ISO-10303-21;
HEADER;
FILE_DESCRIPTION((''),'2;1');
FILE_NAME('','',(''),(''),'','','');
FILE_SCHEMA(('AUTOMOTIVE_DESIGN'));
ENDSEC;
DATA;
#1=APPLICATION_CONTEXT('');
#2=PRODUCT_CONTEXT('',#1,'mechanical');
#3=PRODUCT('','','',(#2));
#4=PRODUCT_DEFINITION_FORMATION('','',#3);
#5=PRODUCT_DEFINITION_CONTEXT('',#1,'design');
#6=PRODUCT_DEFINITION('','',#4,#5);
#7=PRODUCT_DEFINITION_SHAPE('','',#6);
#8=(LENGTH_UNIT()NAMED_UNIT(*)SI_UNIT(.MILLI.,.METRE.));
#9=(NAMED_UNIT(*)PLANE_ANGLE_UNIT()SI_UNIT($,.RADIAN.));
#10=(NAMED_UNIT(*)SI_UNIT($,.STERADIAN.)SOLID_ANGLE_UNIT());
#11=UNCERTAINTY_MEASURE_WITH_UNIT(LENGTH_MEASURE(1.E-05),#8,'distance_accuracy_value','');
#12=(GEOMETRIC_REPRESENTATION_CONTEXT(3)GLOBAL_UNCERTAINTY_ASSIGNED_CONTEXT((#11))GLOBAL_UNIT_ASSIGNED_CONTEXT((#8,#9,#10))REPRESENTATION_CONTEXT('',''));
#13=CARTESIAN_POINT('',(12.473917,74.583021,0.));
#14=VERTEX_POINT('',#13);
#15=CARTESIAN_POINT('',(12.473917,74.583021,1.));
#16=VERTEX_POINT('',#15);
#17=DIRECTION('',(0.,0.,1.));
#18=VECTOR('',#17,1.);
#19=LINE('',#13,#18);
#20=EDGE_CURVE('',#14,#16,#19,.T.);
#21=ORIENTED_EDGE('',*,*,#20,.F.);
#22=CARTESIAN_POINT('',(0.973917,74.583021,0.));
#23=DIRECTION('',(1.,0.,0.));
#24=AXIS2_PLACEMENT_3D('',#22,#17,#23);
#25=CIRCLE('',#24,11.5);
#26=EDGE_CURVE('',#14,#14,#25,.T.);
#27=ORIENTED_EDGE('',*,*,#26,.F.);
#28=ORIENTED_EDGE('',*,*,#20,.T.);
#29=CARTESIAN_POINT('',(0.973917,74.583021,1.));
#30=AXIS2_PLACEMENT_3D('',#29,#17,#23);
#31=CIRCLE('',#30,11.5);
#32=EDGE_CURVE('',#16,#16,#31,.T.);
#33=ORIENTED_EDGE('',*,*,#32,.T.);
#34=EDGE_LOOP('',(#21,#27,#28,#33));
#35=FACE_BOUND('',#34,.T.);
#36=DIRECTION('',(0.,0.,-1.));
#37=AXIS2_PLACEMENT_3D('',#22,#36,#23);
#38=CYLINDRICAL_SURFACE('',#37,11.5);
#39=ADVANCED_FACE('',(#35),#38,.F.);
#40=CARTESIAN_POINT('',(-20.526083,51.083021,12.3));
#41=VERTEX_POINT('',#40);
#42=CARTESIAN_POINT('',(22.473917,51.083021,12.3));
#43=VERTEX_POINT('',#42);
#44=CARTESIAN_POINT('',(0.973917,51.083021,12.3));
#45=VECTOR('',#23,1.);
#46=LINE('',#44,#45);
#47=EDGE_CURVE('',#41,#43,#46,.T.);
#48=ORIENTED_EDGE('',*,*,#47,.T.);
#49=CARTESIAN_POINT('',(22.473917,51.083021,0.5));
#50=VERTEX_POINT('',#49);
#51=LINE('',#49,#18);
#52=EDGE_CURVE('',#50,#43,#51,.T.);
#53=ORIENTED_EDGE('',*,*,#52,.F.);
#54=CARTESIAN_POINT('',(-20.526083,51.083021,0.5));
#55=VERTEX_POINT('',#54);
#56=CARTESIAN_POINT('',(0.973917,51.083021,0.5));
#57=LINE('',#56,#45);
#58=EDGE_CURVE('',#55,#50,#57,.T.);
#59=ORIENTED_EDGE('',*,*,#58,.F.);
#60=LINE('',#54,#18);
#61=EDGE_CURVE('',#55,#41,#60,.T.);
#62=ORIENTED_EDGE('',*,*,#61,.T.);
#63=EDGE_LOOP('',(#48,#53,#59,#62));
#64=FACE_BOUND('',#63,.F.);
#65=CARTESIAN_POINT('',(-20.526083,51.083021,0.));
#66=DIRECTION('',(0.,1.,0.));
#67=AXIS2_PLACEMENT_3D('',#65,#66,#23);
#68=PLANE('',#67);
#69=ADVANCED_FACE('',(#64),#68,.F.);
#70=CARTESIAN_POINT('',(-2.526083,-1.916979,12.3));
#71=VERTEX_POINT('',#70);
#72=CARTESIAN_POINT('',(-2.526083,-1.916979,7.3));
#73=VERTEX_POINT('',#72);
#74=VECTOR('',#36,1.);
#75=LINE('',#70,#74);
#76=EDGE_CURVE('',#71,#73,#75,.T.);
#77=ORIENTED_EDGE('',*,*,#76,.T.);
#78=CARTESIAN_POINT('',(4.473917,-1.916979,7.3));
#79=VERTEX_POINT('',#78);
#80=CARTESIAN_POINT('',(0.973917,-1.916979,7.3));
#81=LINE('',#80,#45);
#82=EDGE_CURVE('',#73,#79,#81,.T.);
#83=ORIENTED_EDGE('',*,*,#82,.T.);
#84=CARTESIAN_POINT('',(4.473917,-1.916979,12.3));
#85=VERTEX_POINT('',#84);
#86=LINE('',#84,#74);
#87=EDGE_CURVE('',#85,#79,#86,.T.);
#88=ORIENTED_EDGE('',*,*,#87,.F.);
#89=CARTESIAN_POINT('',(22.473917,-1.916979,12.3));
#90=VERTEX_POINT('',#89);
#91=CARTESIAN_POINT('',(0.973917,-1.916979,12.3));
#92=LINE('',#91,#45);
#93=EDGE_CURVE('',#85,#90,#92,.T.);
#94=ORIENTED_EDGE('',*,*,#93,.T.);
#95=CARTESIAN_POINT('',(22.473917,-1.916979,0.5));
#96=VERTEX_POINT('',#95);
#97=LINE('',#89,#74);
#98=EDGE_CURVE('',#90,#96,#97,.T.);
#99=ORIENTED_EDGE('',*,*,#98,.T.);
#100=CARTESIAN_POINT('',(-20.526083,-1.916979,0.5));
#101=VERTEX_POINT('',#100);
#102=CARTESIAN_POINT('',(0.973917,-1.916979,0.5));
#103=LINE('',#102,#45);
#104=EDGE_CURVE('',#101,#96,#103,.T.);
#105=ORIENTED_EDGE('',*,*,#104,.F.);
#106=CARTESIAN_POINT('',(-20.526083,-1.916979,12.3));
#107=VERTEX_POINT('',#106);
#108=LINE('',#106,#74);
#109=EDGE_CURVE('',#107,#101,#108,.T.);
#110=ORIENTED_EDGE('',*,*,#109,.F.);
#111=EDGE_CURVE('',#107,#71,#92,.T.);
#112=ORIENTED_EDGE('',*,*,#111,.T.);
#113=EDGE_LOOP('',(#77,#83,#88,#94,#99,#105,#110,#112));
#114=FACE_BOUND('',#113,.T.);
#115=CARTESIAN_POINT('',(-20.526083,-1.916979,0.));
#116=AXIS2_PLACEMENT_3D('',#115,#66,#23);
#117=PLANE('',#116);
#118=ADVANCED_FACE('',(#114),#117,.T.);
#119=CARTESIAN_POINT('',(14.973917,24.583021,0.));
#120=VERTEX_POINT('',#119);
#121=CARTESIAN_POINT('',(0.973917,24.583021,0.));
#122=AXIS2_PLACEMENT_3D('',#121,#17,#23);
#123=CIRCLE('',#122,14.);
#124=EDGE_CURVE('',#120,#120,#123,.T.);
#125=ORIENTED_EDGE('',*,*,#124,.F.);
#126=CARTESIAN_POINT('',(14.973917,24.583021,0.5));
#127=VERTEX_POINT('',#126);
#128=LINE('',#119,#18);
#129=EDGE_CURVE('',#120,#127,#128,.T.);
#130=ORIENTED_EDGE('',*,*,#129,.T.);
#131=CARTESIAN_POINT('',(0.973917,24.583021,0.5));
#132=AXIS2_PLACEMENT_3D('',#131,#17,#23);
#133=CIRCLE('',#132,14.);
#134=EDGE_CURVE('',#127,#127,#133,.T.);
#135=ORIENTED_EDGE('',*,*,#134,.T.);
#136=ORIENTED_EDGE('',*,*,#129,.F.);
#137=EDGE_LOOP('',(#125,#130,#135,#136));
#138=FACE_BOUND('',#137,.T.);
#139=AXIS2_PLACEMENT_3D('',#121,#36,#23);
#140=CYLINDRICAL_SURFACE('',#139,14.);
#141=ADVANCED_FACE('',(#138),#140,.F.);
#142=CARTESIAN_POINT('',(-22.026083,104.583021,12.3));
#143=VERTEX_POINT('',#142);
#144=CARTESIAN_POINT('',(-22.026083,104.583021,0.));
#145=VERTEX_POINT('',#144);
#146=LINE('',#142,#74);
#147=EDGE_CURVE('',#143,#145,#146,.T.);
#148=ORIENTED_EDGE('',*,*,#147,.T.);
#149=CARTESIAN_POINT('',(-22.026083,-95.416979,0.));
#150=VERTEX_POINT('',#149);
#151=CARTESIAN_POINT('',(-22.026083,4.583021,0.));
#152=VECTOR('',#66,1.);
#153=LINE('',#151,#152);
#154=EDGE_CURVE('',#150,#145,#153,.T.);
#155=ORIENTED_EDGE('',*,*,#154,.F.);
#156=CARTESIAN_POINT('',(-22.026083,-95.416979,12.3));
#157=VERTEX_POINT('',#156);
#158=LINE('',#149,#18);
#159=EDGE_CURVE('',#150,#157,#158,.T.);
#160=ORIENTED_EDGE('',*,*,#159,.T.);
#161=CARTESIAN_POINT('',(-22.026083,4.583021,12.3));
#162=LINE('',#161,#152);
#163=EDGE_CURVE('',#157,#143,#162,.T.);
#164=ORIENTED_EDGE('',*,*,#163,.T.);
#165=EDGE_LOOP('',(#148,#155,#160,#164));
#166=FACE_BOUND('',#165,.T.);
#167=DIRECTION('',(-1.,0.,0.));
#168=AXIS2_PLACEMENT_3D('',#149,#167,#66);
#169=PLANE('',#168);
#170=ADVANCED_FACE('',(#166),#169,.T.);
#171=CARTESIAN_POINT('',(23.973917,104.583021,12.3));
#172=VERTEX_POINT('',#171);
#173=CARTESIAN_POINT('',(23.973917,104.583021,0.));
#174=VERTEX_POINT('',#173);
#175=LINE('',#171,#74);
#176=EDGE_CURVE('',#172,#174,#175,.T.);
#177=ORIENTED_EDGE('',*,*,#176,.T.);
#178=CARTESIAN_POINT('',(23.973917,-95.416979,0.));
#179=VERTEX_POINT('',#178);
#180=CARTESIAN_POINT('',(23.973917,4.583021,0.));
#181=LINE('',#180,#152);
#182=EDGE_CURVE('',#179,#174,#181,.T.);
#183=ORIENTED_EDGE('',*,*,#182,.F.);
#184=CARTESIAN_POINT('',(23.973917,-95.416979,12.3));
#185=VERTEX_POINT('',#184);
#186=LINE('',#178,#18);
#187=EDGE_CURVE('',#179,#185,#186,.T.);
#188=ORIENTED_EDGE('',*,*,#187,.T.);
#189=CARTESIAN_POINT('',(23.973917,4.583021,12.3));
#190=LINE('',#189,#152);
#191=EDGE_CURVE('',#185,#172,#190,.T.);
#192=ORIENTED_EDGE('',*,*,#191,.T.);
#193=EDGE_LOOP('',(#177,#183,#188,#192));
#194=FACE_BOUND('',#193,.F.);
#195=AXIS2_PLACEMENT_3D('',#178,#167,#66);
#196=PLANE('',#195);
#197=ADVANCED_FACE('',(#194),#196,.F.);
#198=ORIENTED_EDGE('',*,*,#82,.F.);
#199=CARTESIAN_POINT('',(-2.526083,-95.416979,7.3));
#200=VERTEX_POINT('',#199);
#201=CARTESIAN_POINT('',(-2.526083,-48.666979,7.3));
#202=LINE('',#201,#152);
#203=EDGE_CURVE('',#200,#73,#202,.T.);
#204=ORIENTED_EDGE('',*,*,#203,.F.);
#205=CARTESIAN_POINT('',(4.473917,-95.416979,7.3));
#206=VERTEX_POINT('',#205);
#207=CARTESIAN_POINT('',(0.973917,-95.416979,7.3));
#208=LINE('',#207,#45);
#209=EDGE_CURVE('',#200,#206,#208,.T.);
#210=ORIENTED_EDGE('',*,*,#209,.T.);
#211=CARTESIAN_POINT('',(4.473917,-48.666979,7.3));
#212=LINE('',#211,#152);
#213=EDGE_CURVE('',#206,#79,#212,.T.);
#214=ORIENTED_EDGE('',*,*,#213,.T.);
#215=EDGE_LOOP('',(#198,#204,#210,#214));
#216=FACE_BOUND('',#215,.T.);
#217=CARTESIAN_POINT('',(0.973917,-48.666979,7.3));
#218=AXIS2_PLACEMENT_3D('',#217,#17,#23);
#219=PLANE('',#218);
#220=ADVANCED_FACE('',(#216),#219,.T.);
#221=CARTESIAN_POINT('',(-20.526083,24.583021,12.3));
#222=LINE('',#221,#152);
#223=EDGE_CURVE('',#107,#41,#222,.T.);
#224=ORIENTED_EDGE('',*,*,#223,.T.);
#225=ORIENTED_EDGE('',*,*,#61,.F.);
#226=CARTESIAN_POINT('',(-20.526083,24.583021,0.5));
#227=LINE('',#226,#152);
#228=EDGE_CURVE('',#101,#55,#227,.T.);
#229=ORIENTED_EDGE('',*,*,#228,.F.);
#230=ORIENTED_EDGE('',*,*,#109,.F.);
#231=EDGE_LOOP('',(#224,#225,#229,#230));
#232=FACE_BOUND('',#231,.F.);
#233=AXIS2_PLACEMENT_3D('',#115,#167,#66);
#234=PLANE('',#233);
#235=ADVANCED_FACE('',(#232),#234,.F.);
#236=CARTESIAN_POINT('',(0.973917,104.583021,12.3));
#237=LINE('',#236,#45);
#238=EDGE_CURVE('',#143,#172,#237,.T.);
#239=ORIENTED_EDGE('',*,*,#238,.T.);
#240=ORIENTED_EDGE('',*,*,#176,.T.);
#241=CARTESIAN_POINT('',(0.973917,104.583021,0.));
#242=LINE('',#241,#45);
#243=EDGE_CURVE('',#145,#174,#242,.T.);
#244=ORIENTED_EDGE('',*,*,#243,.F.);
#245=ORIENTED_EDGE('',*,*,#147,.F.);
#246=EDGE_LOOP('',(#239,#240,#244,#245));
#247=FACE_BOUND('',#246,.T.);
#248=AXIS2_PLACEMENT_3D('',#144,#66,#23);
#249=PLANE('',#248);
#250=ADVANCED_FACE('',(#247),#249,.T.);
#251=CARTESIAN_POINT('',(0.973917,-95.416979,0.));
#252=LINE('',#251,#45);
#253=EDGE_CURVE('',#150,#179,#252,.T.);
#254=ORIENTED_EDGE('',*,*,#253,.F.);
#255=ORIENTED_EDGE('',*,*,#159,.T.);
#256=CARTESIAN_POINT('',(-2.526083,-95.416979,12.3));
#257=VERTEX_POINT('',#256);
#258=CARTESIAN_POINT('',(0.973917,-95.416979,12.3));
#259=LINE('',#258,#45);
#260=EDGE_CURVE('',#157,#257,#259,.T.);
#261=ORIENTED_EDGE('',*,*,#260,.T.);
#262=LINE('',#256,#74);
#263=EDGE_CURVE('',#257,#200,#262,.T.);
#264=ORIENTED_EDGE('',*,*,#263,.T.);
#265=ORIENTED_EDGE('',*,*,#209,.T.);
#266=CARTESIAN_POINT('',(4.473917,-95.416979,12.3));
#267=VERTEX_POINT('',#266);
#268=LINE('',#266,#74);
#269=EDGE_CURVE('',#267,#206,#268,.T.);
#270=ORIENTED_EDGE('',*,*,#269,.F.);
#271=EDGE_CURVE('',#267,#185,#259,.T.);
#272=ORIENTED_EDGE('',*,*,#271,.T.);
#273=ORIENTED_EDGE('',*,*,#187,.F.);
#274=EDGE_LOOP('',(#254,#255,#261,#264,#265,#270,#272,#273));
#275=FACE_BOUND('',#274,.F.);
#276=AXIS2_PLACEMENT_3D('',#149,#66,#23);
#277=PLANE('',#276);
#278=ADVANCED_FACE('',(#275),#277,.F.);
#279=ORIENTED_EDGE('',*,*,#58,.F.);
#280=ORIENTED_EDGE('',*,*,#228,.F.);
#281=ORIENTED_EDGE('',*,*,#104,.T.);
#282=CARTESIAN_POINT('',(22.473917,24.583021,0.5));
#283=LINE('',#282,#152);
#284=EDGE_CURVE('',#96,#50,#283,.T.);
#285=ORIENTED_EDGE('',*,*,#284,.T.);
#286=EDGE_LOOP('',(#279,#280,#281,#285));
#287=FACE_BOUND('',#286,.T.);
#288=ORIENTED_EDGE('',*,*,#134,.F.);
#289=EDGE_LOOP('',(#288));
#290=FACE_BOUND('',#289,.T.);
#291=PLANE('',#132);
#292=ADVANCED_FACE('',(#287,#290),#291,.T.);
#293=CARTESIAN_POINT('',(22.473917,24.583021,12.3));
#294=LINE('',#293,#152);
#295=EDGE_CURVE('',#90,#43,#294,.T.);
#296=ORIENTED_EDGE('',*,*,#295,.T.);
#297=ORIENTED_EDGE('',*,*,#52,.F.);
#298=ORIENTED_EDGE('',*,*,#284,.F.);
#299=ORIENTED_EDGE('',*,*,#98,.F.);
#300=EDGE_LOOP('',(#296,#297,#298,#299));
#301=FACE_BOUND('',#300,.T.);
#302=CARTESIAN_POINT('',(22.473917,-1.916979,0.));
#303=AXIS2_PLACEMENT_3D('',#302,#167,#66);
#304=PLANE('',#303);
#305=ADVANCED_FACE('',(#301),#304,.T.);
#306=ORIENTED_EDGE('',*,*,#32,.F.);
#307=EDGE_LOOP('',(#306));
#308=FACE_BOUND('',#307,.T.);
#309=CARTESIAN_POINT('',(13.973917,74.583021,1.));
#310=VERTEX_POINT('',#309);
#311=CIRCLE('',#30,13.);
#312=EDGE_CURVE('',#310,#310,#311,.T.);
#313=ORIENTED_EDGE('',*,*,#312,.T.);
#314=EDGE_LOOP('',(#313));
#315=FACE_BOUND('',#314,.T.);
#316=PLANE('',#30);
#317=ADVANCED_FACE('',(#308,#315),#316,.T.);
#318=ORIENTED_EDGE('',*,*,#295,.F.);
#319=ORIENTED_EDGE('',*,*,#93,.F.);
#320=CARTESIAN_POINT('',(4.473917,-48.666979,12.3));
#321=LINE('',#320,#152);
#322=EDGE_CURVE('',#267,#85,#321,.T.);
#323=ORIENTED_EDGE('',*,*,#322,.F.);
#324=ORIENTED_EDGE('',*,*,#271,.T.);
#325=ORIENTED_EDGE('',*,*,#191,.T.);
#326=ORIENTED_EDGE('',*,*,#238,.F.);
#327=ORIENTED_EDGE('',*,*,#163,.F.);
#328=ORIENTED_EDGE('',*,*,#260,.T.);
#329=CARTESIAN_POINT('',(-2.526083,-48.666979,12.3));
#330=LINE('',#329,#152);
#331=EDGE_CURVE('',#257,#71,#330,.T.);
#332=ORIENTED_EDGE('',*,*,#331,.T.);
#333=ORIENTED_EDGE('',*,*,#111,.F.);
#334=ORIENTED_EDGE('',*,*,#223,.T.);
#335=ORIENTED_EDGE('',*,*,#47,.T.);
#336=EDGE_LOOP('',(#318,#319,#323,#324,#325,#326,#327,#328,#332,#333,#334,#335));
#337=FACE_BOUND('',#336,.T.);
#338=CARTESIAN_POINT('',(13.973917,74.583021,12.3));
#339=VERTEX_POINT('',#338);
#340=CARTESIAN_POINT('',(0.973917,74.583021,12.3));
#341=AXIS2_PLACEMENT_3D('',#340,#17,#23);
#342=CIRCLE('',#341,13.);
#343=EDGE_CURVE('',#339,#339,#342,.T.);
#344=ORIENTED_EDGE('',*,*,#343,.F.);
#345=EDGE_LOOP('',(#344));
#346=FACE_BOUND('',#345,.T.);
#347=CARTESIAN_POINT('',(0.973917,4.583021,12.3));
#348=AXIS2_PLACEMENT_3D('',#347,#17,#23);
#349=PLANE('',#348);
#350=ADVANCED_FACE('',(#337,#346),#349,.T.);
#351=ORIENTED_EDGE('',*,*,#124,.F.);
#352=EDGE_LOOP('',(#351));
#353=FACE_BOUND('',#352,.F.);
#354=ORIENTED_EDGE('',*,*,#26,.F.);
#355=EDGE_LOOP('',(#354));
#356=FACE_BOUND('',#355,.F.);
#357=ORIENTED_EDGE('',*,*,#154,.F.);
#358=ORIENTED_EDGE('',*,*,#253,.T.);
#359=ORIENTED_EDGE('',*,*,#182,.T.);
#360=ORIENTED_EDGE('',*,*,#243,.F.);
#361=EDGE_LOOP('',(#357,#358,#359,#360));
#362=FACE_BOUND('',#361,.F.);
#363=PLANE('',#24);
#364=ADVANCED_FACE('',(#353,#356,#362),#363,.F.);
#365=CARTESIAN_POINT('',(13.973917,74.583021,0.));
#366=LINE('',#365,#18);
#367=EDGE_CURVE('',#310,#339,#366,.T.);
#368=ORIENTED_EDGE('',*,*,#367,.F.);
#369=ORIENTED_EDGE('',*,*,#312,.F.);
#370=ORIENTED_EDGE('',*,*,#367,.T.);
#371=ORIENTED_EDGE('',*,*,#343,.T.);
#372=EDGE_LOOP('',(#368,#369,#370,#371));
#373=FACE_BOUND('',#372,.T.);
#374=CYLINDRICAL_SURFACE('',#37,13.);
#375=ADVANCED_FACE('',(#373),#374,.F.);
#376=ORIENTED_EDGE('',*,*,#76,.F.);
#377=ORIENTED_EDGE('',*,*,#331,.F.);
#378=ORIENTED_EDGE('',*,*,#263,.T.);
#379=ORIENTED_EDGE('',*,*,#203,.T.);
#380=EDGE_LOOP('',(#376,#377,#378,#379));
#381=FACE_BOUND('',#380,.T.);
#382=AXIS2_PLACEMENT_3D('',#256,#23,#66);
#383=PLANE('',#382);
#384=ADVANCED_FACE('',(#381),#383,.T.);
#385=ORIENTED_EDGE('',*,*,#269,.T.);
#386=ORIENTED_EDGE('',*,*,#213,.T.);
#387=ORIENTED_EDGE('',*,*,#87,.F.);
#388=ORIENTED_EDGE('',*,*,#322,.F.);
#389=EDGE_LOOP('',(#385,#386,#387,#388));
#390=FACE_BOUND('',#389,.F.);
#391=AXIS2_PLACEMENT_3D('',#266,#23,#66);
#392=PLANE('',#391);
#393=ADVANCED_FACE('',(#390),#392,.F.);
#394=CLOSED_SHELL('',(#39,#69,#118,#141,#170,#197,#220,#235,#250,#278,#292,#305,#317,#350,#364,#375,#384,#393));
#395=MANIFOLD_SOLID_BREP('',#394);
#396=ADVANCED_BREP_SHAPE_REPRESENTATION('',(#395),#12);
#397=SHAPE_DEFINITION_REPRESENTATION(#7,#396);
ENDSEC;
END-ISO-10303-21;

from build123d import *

# Parameters (mm, degrees)
F0_W        = 46
F0_H        = 200
F0_W_2      = 43
F0_H_2      = 53
F0_R        = 13
F1_DEPTH    = 11.8
F0_R_2      = 14
F1_FACE_W   = 46
F1_FACE_H   = 200
F1_FACE_W_2 = 43
F1_FACE_H_2 = 53
F1_FACE_R   = 13
F2_DEPTH    = 0.5
F3_W        = 7
F3_H        = 93.5
F4_DEPTH    = 5
F0_R_3      = 11.5
F5_DEPTH    = 1


with BuildPart() as f1:
    # F0 (on Top) → F1 (new body)
    with BuildSketch(Plane.XY):
        with Locations((0.973917, 4.583021)):
            Rectangle(F0_W, F0_H)
        with Locations((0.973917, 24.583021)):
            Rectangle(F0_W_2, F0_H_2, mode=Mode.SUBTRACT)
        with Locations((0.973917, 74.583021)):
            Circle(F0_R, mode=Mode.SUBTRACT)
    extrude(amount=F1_DEPTH)

    # F0 (on Top) + F1_face (on face) → F2 (join)
    with BuildSketch(Plane.XY):
        with Locations((0.973917, 24.583021)):
            Rectangle(F0_W_2, F0_H_2)
        with Locations((0.973917, 24.583021)):
            Circle(F0_R_2, mode=Mode.SUBTRACT)
    with BuildSketch(Plane(origin=(0.973917, -8.365981, 11.8), x_dir=(1, 0, 0), z_dir=(0, 0, 1))):
        with Locations((0, 12.949002)):
            Rectangle(F1_FACE_W, F1_FACE_H)
        with Locations((0, 32.949002)):
            Rectangle(F1_FACE_W_2, F1_FACE_H_2, mode=Mode.SUBTRACT)
        with Locations((0, 82.949002)):
            Circle(F1_FACE_R, mode=Mode.SUBTRACT)
    extrude(amount=F2_DEPTH)

    # F3 (on face) → F4 (cut)
    with BuildSketch(Plane.XY.offset(12.3)):
        with Locations((0.973917, -48.666979)):
            Rectangle(F3_W, F3_H)
    extrude(amount=-F4_DEPTH, mode=Mode.SUBTRACT)

    # F0 (on Top) → F5 (join)
    with BuildSketch(Plane.XY):
        with Locations((0.973917, 74.583021)):
            Circle(F0_R)
        with Locations((0.973917, 74.583021)):
            Circle(F0_R_3, mode=Mode.SUBTRACT)
    extrude(amount=F5_DEPTH)


solid = f1.part
